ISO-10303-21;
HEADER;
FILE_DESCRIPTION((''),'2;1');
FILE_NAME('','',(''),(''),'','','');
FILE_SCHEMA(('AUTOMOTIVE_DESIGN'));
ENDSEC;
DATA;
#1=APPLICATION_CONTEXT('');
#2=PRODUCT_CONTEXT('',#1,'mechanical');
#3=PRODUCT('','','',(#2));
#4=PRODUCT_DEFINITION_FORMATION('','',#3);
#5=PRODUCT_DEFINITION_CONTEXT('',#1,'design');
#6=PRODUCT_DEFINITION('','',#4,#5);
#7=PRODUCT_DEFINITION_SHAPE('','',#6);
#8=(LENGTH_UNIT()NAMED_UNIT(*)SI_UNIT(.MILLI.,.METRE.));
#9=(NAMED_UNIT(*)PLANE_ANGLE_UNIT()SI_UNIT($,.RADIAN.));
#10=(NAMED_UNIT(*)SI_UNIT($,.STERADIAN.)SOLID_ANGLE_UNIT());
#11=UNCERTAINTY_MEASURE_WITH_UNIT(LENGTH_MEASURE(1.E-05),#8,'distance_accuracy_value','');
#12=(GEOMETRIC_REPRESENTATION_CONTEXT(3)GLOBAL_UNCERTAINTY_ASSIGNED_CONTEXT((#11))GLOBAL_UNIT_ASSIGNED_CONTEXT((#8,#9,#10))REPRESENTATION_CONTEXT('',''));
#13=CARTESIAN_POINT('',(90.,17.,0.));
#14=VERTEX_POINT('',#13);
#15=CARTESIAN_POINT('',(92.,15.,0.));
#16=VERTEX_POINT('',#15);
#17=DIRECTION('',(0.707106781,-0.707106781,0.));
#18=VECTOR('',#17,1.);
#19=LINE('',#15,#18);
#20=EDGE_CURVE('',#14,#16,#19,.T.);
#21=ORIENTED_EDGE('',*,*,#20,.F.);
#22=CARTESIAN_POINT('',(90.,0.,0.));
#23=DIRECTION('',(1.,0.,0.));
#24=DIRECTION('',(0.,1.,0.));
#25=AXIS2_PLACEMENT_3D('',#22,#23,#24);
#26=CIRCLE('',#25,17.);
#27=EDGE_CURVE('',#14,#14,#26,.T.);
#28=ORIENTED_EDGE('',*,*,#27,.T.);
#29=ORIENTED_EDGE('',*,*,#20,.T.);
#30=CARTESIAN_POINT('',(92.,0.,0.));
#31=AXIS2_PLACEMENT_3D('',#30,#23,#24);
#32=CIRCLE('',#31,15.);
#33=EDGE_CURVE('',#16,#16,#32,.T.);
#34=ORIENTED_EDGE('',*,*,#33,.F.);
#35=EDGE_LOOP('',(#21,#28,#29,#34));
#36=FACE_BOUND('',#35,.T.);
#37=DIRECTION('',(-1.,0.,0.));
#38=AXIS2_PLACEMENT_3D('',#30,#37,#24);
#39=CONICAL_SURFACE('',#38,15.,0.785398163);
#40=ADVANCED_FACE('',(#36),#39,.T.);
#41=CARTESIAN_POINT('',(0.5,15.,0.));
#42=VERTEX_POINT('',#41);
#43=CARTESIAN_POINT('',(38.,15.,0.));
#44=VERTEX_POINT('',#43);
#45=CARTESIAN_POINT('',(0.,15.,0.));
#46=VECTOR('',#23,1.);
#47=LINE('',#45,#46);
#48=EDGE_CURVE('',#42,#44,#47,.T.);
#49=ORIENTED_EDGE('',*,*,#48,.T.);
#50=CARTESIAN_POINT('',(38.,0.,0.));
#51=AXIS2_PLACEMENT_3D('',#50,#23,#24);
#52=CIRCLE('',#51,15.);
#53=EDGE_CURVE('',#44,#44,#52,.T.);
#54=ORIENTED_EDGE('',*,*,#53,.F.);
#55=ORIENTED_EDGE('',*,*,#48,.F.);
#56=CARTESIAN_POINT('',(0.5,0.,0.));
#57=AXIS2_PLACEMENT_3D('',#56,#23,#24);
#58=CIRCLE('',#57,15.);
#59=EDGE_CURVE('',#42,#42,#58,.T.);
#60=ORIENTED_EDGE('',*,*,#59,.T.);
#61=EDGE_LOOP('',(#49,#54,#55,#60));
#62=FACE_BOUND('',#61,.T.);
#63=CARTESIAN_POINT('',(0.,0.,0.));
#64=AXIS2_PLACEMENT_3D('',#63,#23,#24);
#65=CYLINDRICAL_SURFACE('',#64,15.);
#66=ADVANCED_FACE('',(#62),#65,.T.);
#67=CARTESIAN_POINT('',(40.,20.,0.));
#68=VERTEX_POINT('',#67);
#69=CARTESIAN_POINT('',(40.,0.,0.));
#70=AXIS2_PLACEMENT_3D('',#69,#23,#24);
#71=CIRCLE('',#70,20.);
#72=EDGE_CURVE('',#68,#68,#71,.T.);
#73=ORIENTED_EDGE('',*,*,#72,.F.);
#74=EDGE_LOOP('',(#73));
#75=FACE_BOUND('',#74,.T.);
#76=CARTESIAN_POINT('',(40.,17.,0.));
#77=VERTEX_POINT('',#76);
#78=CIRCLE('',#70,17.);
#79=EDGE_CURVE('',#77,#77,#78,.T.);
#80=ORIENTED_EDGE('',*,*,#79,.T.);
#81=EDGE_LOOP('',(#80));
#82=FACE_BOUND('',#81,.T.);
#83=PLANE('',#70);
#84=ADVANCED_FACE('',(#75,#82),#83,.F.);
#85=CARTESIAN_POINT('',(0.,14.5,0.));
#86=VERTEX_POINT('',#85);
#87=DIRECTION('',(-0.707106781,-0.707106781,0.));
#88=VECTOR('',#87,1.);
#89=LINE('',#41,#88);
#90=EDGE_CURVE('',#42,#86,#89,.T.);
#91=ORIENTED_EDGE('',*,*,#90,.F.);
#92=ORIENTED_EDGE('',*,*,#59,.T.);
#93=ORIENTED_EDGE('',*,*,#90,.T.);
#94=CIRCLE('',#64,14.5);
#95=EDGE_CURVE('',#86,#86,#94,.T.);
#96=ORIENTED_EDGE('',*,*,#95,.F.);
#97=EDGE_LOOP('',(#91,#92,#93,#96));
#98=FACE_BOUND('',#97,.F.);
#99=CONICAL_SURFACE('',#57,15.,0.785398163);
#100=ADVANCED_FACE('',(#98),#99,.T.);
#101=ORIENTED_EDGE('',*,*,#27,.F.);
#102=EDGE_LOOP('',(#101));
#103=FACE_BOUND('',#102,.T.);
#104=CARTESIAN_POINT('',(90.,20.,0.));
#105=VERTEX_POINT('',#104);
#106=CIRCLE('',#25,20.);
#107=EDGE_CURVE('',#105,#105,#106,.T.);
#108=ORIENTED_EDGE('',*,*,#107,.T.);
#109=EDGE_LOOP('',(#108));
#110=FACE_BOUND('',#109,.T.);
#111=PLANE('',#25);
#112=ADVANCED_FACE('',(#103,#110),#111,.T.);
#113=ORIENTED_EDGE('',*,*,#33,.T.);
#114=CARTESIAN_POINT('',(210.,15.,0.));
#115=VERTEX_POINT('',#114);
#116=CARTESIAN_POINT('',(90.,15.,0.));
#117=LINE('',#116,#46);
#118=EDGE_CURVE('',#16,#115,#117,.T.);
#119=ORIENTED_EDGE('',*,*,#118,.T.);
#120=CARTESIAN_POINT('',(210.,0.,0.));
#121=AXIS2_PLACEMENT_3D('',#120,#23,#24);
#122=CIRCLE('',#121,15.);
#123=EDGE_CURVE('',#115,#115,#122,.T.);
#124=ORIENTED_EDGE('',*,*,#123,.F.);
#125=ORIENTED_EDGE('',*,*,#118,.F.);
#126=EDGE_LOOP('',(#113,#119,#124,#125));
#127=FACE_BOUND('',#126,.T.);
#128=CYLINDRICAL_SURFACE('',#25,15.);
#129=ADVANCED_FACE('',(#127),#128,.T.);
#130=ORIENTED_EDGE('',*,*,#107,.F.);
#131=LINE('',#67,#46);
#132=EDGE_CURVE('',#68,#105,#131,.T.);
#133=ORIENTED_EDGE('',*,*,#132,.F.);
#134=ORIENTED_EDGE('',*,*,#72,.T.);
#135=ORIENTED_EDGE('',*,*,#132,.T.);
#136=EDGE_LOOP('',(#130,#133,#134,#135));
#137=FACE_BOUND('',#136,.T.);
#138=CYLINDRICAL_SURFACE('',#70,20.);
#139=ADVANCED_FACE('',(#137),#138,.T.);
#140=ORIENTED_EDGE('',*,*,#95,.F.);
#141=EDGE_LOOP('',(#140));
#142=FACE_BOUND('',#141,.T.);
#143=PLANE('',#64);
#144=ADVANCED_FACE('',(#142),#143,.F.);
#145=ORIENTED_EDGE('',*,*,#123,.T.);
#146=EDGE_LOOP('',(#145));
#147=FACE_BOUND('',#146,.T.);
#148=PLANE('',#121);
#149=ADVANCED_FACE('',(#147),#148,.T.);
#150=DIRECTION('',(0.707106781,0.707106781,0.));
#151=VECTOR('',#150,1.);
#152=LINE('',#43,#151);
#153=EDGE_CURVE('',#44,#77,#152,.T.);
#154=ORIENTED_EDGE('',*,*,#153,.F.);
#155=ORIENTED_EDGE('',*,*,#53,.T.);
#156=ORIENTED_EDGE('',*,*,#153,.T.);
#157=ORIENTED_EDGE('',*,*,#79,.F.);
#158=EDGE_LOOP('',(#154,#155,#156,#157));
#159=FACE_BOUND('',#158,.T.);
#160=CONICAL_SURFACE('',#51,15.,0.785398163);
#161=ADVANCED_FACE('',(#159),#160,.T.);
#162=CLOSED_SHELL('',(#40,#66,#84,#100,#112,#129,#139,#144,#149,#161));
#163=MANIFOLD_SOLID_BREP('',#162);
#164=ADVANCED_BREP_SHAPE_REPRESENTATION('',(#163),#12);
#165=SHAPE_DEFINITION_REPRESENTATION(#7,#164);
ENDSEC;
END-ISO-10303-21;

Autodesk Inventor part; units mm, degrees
ref_plane "Start Plane" through (0, 0, 0) normal (1, 0, 0) x (0, 1, 0)
ref_plane "XZ Plane" through (0, 0, 0) normal (0, 1, 0) x (-1, 0, 0)
ref_plane "XY Plane" through (0, 0, 0) normal (0, 0, 1) x (1, 0, 0)
sketch "Main Sketch" plane through (0, 0, 0) normal (0, 0, 1) x (1, 0, 0)
  line L0 (0, 0) -> (210, 0)
  line L1 (0, 0) -> (0, 15)
  line L2 (0, 15) -> (40, 15)
  line L3 (40, 15) -> (40, 20)
  line L4 (90, 20) -> (90, 15)
  line L5 (40, 20) -> (90, 20)
  line L6 (210, 15) -> (210, 0)
  line L7 (90, 15) -> (210, 15)
  dimension "d3" = 30
  dimension "d4" = 40
  dimension "d5" = 30
revolve "Revolution1" add sketch "Main Sketch" angle 360 about axis through (0, 0, 0) along (1, 0, 0)
chamfer "Chamfer3" distance 2 angle 45 1 edges at (40, -15, 0) measured on face at (26.6667, 14.8058, -2.4062)
chamfer "Chamfer1" distance 0.5 angle 45 1 edges at (0, -15, 0) measured on face at (25.3333, 14.9514, -1.207)
chamfer "Chamfer2" distance 2 angle 45 1 edges at (90, -15, 0) measured on face at (170, 14.9514, -1.207)
equation "\"Length\" = 210"
properties part number "Shaft" material "Steel"
